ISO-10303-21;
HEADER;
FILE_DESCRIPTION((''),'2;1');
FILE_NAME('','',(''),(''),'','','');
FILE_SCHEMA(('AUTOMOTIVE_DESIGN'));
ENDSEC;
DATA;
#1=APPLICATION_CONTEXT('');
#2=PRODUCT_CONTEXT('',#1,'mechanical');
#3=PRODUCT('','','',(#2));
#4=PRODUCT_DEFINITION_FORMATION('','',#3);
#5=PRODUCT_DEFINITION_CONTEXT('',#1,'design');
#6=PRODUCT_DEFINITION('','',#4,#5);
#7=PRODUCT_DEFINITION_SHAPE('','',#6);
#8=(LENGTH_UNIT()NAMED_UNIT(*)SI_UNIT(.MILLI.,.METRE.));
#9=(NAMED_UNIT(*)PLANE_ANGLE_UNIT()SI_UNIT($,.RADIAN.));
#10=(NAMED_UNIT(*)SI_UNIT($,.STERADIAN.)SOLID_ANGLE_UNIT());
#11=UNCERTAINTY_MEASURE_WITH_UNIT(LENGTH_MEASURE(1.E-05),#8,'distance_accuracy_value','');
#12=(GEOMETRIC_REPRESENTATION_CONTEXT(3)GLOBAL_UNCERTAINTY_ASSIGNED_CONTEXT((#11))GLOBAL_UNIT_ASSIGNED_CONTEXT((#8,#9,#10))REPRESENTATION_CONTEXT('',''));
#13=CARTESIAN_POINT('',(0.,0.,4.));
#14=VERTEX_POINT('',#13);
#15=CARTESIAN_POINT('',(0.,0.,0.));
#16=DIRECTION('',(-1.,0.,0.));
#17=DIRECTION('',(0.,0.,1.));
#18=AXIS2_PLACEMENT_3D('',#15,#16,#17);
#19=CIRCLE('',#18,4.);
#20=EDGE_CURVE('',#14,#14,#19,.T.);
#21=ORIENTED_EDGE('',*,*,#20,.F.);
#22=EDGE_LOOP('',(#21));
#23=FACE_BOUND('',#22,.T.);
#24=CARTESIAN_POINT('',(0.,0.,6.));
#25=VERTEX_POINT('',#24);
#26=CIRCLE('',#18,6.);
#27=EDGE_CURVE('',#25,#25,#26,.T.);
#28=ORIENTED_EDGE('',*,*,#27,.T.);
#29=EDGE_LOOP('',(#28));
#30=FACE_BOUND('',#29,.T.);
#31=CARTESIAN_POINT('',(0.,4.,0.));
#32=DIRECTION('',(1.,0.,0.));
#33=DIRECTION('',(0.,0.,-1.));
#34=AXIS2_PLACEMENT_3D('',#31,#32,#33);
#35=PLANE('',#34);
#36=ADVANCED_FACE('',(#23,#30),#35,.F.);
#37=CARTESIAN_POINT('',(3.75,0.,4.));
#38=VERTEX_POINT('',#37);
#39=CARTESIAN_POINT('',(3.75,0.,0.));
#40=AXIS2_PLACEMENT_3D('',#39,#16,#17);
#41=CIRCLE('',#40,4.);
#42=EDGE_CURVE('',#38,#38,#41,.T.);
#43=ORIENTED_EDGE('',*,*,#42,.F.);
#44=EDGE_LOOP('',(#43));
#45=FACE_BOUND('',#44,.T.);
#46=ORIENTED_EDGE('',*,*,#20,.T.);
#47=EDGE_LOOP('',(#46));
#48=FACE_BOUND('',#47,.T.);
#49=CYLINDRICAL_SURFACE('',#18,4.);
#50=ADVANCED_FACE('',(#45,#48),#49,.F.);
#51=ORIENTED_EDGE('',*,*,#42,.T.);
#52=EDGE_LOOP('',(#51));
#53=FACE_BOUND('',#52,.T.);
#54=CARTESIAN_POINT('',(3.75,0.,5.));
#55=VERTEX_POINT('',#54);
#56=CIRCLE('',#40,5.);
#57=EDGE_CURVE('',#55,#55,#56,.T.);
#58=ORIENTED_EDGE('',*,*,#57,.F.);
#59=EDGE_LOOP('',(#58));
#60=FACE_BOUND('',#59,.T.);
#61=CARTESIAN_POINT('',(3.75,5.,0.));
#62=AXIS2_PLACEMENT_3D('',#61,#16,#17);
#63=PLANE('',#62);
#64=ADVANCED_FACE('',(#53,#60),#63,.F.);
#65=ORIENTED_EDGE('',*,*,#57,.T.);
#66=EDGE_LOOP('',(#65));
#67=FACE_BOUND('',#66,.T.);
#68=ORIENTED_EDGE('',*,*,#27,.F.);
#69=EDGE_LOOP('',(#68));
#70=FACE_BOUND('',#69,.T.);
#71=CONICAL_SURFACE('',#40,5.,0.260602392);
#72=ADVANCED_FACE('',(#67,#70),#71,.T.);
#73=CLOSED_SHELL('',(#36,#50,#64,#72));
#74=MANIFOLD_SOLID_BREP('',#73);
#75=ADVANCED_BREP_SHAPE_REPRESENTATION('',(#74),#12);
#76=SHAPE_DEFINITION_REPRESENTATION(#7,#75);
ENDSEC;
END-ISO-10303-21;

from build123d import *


with BuildPart() as part:
    # Szkic1 → Obrót1 (revolve)
    with BuildSketch(Plane.XY):
        Polygon((0, 4), (0, 6), (3.75, 5), (3.75, 4), align=None)
    revolve(axis=Axis((0, 0, 0), (1, 0, 0)))


solid = part.part
